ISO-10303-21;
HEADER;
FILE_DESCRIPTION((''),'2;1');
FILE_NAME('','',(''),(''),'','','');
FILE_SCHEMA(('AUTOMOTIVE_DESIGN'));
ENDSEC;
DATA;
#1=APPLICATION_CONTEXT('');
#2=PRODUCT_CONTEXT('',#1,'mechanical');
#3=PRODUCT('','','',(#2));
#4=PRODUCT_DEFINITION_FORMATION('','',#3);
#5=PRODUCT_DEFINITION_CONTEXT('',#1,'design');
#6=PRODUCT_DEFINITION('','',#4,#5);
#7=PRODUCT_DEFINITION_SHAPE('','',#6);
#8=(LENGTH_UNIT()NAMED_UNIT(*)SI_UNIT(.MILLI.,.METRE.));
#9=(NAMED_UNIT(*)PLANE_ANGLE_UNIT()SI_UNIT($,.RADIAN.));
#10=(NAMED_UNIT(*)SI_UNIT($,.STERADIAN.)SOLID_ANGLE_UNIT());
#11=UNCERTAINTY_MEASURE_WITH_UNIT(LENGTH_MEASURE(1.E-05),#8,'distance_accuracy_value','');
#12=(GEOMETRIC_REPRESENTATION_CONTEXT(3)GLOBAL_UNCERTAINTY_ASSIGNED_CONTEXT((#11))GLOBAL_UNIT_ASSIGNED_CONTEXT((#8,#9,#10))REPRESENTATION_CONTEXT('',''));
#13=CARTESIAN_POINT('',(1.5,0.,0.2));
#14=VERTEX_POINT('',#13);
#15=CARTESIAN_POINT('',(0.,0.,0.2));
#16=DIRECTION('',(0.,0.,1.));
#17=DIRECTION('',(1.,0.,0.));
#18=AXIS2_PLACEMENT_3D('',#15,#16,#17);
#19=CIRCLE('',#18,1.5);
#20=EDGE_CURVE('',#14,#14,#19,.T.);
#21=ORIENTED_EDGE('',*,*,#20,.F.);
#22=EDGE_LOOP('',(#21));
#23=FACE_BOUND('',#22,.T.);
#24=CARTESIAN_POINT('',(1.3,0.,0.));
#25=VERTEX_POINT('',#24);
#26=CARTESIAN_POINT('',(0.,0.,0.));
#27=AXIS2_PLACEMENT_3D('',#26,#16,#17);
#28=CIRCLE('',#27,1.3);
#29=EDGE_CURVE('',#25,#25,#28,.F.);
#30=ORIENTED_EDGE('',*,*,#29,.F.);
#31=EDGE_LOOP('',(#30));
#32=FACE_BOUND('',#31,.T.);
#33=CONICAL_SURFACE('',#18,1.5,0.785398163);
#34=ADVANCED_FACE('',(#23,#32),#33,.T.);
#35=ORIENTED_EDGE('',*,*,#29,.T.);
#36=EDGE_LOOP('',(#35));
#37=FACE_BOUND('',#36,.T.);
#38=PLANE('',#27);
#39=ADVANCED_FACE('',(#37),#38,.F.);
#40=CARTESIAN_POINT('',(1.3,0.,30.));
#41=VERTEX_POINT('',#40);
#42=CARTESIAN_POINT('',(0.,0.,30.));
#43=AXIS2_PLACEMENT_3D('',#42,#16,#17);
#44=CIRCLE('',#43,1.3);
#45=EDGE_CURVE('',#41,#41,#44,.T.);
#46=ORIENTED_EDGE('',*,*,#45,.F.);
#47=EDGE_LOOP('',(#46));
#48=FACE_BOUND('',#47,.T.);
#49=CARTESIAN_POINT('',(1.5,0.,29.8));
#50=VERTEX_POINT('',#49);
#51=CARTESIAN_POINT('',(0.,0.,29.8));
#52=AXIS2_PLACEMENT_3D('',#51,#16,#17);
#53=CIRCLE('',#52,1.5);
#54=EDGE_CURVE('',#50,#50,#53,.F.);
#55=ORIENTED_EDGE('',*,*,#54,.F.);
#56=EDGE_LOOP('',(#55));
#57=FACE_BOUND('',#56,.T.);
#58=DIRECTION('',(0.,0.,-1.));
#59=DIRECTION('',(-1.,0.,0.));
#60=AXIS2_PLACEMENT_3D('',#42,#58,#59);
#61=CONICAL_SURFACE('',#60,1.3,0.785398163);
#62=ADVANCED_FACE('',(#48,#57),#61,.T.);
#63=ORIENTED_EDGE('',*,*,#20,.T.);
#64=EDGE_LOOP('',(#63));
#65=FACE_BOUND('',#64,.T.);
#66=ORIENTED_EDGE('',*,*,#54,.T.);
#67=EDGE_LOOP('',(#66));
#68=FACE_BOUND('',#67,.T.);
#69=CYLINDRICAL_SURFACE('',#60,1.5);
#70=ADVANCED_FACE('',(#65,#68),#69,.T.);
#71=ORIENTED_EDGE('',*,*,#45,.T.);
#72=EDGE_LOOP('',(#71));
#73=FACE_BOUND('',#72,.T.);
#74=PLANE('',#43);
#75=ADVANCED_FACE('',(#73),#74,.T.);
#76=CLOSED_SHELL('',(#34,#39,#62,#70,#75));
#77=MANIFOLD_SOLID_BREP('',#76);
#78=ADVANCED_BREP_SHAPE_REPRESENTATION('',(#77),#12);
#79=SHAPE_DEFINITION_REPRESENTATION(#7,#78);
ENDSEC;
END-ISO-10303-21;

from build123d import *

# Parameters (mm, degrees)
SKETCH_1_R      = 1.5
EXTRUDE_1_DEPTH = 30
CHAMFER_1_SIZE  = 0.2


with BuildPart() as part:
    # 스케치1 → 보스-돌출1 (new body)
    with BuildSketch(Plane.XY):
        Circle(SKETCH_1_R)
    extrude(amount=EXTRUDE_1_DEPTH)

    # 모따기1
    chamfer_1_edges = [part.edges().sort_by_distance(p)[0] for p in [
        (-1.5, 0, 0),
        (-1.5, 0, 30),
    ]]
    chamfer(chamfer_1_edges, length=CHAMFER_1_SIZE)


solid = part.part
